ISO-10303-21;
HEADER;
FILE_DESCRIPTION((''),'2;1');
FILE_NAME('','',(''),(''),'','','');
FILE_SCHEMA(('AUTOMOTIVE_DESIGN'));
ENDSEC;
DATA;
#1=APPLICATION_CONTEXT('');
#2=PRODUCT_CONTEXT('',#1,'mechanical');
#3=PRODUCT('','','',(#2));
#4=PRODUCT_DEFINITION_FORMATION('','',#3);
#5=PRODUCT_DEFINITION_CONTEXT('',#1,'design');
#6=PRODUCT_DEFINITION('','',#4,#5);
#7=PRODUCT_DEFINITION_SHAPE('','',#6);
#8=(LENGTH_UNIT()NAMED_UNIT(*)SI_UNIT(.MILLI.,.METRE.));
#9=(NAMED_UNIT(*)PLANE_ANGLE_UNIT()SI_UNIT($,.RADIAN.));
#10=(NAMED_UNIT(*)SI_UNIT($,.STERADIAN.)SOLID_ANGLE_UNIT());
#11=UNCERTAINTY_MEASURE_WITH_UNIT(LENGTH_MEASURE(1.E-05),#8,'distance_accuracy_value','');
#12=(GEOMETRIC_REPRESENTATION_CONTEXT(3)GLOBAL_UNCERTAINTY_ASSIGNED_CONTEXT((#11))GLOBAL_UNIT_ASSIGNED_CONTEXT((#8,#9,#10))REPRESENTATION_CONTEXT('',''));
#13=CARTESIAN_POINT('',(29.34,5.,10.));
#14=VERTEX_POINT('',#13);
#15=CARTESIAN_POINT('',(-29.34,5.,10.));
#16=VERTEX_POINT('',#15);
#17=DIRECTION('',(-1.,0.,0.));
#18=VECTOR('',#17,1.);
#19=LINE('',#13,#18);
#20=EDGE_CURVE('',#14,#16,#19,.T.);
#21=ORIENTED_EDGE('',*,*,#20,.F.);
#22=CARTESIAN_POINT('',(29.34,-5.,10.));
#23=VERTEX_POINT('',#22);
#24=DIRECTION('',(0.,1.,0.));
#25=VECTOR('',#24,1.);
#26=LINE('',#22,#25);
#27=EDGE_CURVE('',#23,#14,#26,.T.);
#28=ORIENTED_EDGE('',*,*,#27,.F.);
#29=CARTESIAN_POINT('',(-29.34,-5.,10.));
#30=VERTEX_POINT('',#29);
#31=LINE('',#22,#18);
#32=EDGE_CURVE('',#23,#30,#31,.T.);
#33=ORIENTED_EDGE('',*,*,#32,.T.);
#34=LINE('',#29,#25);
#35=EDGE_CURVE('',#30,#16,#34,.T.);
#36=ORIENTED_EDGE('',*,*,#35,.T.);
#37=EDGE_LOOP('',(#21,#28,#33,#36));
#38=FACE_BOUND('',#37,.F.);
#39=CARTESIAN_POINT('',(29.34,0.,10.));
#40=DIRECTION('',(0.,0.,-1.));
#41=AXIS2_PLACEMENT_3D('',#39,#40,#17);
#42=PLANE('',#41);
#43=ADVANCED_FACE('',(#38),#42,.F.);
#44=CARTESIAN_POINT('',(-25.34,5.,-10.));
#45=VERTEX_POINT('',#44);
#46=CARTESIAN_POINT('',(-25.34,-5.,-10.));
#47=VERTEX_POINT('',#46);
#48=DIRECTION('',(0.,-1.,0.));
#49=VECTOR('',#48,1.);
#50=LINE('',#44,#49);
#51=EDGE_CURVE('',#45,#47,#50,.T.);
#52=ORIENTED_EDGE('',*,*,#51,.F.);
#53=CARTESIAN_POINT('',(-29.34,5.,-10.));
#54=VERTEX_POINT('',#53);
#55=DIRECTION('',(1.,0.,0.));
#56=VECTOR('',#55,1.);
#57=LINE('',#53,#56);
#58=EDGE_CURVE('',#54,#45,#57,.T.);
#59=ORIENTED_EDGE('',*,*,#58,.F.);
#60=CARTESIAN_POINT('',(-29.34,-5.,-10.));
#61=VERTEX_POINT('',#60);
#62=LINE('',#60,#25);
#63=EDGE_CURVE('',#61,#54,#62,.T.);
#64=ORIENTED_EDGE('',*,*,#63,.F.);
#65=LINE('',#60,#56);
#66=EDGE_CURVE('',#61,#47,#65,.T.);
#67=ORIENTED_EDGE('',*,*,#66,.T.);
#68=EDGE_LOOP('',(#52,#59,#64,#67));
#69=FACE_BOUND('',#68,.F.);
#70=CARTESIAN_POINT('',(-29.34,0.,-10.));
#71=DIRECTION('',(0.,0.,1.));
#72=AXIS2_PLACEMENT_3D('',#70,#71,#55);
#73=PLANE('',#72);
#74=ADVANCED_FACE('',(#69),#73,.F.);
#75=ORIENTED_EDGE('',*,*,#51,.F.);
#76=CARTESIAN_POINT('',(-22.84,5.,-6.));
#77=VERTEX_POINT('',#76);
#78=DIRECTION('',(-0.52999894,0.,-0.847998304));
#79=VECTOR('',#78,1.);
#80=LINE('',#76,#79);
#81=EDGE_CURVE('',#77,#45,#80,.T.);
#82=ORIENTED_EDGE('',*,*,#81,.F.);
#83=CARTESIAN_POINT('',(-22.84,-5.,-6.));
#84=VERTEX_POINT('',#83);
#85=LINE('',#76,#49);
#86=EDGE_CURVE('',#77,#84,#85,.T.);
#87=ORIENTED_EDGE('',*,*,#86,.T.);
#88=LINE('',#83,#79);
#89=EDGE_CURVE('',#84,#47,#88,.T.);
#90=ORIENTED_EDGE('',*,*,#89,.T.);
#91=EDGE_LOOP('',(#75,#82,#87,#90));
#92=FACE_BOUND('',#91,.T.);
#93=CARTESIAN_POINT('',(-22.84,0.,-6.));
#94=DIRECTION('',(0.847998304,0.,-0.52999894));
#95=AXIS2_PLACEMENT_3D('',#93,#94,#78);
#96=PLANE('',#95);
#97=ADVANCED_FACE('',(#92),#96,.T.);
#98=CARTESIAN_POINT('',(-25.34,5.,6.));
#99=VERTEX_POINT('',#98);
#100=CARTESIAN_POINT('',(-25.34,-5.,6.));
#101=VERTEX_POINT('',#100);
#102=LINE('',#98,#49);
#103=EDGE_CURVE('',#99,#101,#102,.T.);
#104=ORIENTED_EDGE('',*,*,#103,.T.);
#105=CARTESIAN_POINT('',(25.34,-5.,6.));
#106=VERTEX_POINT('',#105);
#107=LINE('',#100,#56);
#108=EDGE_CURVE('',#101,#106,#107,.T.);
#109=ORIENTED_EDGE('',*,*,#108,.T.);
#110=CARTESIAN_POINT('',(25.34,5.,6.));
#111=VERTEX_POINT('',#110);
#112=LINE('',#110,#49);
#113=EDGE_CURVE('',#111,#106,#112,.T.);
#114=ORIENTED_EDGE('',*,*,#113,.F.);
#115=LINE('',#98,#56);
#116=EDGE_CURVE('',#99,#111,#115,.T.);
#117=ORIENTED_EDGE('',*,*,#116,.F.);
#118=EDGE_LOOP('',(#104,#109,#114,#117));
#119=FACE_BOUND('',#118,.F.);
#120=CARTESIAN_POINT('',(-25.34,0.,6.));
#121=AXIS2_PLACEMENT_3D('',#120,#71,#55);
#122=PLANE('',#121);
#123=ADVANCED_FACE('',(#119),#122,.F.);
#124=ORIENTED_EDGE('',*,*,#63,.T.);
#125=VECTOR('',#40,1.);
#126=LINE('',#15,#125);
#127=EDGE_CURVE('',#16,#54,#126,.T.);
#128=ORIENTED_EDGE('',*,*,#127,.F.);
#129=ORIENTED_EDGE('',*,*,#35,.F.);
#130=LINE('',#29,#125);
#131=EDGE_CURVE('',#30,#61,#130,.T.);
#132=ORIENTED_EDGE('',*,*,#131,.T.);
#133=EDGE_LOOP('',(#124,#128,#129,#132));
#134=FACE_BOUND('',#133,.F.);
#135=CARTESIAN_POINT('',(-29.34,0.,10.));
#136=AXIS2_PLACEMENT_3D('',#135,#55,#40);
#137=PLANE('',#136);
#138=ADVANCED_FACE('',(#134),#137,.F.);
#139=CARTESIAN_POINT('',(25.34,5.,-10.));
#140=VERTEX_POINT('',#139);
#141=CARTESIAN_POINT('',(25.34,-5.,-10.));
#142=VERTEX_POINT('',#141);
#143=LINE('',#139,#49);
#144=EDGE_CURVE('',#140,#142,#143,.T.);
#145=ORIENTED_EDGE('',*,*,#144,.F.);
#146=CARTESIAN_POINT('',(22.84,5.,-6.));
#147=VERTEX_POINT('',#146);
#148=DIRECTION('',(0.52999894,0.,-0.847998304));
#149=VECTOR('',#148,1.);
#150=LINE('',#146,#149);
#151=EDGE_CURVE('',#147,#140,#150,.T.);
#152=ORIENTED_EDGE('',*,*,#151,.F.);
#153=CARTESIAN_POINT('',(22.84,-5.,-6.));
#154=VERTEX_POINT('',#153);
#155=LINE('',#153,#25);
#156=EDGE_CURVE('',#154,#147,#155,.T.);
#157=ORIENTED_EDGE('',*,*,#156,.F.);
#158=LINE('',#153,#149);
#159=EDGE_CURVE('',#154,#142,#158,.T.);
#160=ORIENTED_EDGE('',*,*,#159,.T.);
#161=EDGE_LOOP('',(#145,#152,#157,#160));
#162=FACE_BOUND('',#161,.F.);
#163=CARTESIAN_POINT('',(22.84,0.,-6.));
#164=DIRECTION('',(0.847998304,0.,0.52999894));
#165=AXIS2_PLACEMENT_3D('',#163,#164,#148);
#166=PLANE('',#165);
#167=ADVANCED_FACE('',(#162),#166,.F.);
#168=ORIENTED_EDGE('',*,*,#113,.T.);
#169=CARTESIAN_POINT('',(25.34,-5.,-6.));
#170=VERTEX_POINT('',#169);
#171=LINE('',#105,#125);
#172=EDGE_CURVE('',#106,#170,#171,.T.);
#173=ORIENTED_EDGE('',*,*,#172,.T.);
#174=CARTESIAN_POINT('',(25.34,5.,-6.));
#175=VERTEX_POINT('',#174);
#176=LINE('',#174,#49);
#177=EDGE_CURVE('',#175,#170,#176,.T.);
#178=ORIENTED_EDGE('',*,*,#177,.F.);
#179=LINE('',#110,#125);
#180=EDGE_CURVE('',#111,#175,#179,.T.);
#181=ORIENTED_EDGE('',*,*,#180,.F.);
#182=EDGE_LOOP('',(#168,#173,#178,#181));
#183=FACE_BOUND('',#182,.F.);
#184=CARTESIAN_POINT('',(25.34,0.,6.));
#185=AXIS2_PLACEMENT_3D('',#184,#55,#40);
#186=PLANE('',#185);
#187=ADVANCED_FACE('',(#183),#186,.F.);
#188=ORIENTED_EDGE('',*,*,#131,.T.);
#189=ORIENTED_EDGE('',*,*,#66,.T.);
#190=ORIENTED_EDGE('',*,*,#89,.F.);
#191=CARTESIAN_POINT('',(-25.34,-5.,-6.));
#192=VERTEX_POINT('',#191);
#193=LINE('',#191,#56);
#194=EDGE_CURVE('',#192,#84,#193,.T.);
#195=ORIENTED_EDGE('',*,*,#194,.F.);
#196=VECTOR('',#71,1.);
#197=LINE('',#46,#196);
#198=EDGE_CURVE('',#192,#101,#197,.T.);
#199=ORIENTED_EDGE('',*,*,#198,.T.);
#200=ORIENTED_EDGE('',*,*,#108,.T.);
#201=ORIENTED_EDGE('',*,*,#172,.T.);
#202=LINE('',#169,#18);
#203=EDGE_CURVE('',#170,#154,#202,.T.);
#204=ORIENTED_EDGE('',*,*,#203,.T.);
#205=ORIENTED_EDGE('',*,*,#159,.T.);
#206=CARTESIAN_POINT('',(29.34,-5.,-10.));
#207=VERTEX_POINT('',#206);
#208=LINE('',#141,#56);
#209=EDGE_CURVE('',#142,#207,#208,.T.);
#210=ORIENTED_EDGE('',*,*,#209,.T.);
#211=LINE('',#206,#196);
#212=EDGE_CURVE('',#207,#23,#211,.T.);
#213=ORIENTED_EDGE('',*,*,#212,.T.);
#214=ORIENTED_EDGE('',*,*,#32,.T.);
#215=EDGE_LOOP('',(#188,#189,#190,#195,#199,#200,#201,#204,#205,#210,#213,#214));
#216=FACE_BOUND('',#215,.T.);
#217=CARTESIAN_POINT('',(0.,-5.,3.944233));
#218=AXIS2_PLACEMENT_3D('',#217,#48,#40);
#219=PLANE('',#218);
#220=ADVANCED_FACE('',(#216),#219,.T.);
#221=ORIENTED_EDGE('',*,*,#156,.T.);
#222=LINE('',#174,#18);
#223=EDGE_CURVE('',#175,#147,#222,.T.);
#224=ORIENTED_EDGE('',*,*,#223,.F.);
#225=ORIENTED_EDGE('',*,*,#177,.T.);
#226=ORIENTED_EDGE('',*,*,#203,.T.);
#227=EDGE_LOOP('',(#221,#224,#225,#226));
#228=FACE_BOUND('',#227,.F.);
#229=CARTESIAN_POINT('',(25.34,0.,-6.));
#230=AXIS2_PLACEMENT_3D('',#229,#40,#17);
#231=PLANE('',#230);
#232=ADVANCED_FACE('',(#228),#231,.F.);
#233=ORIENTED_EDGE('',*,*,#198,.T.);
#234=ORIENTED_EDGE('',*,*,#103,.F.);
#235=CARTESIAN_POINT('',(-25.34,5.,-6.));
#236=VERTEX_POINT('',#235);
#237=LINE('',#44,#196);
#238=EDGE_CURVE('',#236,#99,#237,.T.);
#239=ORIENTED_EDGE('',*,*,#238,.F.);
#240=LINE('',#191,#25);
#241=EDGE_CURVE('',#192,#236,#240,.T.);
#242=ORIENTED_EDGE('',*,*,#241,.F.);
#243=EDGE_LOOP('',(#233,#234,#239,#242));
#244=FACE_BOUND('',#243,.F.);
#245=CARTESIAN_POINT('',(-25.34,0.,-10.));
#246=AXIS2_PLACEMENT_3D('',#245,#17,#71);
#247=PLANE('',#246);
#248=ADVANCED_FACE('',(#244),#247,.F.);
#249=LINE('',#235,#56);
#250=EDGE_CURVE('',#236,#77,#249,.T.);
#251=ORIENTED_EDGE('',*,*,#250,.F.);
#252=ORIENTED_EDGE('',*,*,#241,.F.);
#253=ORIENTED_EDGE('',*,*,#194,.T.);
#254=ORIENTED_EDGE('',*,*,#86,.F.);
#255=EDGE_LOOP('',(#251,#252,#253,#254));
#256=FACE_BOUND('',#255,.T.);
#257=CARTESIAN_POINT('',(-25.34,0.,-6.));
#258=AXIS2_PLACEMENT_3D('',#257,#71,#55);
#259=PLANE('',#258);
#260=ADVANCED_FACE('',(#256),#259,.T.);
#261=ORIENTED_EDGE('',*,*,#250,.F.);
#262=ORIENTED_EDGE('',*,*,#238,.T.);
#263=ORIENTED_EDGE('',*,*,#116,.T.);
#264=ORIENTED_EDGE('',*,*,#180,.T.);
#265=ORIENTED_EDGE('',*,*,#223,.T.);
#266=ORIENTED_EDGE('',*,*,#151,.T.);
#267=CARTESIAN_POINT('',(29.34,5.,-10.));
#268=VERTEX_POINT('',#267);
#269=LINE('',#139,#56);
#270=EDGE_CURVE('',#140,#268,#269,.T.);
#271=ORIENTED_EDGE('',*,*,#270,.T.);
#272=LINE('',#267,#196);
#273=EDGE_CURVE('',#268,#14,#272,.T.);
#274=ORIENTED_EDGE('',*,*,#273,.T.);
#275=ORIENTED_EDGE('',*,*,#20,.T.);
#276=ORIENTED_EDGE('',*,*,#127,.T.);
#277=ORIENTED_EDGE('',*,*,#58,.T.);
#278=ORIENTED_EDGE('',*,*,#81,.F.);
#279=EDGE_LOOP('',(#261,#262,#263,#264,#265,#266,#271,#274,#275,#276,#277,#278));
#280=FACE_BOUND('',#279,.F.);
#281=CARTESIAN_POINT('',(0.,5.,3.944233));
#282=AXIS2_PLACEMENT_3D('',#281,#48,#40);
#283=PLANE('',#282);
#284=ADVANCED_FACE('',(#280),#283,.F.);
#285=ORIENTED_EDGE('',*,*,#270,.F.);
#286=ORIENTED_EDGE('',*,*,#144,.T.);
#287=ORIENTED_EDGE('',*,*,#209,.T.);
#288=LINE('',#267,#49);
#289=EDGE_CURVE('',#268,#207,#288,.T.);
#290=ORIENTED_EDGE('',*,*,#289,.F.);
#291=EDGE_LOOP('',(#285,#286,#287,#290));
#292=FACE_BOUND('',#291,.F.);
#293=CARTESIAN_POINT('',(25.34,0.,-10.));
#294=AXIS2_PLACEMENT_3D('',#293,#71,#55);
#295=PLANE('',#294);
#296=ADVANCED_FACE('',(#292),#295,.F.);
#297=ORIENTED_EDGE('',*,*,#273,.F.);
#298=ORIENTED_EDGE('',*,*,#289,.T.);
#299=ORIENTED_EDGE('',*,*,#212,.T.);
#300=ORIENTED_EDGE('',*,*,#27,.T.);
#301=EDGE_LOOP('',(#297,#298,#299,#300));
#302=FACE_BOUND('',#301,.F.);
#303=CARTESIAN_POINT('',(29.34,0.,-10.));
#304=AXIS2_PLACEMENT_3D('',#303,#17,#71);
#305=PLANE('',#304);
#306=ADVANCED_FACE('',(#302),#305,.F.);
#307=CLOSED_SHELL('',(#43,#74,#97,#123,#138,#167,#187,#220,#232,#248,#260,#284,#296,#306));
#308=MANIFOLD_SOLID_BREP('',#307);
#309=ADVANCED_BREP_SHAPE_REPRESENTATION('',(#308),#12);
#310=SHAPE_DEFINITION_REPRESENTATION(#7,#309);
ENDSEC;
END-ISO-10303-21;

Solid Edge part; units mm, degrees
sketch "Sketch1" plane through (0, 0, 0) normal (0, -1, 0) x (1, 0, 0)
  line L0 (-29.34, -10) -> (-25.34, -10)
  line L1 (-25.34, -10) -> (-25.34, 6)
  line L2 (-25.34, 6) -> (25.34, 6)
  line L3 (25.34, 6) -> (25.34, -10)
  line L4 (25.34, -10) -> (29.34, -10)
  line L5 (29.34, -10) -> (29.34, 10)
  line L6 (29.34, 10) -> (-29.34, 10)
  line L7 (-29.34, 10) -> (-29.34, -10)
  dimension "D1" = 4
  dimension "D2" = 4
  dimension "D3" = 58.68
  dimension "D4" = 20
  dimension "D5" = 16
extrude "Protrusion1" add sketch "Sketch1" along normal mid plane 10
sketch "Sketch2" plane through (0, 0, 0) normal (0, -1, 0) x (1, 0, 0)
  line L0 (-25.34, -10) -> (-25.34, -6)
  line L1 (-25.34, -6) -> (-22.84, -6)
  line L2 (-22.84, -6) -> (-25.34, -10)
  dimension "D1" = 2.5
  dimension "D2" = 4
extrude "ExtrudedProtrusion_3" add sketch "Sketch2" along normal mid plane 10
sketch "Sketch3" plane through (0, 0, 0) normal (0, -1, 0) x (1, 0, 0)
  line L0 (25.34, -10) -> (25.34, -6)
  line L1 (25.34, -6) -> (22.84, -6)
  line L2 (22.84, -6) -> (25.34, -10)
  dimension "D1" = 2.5
  dimension "D2" = 4
extrude "ExtrudedProtrusion_4" add sketch "Sketch3" along normal mid plane 10
